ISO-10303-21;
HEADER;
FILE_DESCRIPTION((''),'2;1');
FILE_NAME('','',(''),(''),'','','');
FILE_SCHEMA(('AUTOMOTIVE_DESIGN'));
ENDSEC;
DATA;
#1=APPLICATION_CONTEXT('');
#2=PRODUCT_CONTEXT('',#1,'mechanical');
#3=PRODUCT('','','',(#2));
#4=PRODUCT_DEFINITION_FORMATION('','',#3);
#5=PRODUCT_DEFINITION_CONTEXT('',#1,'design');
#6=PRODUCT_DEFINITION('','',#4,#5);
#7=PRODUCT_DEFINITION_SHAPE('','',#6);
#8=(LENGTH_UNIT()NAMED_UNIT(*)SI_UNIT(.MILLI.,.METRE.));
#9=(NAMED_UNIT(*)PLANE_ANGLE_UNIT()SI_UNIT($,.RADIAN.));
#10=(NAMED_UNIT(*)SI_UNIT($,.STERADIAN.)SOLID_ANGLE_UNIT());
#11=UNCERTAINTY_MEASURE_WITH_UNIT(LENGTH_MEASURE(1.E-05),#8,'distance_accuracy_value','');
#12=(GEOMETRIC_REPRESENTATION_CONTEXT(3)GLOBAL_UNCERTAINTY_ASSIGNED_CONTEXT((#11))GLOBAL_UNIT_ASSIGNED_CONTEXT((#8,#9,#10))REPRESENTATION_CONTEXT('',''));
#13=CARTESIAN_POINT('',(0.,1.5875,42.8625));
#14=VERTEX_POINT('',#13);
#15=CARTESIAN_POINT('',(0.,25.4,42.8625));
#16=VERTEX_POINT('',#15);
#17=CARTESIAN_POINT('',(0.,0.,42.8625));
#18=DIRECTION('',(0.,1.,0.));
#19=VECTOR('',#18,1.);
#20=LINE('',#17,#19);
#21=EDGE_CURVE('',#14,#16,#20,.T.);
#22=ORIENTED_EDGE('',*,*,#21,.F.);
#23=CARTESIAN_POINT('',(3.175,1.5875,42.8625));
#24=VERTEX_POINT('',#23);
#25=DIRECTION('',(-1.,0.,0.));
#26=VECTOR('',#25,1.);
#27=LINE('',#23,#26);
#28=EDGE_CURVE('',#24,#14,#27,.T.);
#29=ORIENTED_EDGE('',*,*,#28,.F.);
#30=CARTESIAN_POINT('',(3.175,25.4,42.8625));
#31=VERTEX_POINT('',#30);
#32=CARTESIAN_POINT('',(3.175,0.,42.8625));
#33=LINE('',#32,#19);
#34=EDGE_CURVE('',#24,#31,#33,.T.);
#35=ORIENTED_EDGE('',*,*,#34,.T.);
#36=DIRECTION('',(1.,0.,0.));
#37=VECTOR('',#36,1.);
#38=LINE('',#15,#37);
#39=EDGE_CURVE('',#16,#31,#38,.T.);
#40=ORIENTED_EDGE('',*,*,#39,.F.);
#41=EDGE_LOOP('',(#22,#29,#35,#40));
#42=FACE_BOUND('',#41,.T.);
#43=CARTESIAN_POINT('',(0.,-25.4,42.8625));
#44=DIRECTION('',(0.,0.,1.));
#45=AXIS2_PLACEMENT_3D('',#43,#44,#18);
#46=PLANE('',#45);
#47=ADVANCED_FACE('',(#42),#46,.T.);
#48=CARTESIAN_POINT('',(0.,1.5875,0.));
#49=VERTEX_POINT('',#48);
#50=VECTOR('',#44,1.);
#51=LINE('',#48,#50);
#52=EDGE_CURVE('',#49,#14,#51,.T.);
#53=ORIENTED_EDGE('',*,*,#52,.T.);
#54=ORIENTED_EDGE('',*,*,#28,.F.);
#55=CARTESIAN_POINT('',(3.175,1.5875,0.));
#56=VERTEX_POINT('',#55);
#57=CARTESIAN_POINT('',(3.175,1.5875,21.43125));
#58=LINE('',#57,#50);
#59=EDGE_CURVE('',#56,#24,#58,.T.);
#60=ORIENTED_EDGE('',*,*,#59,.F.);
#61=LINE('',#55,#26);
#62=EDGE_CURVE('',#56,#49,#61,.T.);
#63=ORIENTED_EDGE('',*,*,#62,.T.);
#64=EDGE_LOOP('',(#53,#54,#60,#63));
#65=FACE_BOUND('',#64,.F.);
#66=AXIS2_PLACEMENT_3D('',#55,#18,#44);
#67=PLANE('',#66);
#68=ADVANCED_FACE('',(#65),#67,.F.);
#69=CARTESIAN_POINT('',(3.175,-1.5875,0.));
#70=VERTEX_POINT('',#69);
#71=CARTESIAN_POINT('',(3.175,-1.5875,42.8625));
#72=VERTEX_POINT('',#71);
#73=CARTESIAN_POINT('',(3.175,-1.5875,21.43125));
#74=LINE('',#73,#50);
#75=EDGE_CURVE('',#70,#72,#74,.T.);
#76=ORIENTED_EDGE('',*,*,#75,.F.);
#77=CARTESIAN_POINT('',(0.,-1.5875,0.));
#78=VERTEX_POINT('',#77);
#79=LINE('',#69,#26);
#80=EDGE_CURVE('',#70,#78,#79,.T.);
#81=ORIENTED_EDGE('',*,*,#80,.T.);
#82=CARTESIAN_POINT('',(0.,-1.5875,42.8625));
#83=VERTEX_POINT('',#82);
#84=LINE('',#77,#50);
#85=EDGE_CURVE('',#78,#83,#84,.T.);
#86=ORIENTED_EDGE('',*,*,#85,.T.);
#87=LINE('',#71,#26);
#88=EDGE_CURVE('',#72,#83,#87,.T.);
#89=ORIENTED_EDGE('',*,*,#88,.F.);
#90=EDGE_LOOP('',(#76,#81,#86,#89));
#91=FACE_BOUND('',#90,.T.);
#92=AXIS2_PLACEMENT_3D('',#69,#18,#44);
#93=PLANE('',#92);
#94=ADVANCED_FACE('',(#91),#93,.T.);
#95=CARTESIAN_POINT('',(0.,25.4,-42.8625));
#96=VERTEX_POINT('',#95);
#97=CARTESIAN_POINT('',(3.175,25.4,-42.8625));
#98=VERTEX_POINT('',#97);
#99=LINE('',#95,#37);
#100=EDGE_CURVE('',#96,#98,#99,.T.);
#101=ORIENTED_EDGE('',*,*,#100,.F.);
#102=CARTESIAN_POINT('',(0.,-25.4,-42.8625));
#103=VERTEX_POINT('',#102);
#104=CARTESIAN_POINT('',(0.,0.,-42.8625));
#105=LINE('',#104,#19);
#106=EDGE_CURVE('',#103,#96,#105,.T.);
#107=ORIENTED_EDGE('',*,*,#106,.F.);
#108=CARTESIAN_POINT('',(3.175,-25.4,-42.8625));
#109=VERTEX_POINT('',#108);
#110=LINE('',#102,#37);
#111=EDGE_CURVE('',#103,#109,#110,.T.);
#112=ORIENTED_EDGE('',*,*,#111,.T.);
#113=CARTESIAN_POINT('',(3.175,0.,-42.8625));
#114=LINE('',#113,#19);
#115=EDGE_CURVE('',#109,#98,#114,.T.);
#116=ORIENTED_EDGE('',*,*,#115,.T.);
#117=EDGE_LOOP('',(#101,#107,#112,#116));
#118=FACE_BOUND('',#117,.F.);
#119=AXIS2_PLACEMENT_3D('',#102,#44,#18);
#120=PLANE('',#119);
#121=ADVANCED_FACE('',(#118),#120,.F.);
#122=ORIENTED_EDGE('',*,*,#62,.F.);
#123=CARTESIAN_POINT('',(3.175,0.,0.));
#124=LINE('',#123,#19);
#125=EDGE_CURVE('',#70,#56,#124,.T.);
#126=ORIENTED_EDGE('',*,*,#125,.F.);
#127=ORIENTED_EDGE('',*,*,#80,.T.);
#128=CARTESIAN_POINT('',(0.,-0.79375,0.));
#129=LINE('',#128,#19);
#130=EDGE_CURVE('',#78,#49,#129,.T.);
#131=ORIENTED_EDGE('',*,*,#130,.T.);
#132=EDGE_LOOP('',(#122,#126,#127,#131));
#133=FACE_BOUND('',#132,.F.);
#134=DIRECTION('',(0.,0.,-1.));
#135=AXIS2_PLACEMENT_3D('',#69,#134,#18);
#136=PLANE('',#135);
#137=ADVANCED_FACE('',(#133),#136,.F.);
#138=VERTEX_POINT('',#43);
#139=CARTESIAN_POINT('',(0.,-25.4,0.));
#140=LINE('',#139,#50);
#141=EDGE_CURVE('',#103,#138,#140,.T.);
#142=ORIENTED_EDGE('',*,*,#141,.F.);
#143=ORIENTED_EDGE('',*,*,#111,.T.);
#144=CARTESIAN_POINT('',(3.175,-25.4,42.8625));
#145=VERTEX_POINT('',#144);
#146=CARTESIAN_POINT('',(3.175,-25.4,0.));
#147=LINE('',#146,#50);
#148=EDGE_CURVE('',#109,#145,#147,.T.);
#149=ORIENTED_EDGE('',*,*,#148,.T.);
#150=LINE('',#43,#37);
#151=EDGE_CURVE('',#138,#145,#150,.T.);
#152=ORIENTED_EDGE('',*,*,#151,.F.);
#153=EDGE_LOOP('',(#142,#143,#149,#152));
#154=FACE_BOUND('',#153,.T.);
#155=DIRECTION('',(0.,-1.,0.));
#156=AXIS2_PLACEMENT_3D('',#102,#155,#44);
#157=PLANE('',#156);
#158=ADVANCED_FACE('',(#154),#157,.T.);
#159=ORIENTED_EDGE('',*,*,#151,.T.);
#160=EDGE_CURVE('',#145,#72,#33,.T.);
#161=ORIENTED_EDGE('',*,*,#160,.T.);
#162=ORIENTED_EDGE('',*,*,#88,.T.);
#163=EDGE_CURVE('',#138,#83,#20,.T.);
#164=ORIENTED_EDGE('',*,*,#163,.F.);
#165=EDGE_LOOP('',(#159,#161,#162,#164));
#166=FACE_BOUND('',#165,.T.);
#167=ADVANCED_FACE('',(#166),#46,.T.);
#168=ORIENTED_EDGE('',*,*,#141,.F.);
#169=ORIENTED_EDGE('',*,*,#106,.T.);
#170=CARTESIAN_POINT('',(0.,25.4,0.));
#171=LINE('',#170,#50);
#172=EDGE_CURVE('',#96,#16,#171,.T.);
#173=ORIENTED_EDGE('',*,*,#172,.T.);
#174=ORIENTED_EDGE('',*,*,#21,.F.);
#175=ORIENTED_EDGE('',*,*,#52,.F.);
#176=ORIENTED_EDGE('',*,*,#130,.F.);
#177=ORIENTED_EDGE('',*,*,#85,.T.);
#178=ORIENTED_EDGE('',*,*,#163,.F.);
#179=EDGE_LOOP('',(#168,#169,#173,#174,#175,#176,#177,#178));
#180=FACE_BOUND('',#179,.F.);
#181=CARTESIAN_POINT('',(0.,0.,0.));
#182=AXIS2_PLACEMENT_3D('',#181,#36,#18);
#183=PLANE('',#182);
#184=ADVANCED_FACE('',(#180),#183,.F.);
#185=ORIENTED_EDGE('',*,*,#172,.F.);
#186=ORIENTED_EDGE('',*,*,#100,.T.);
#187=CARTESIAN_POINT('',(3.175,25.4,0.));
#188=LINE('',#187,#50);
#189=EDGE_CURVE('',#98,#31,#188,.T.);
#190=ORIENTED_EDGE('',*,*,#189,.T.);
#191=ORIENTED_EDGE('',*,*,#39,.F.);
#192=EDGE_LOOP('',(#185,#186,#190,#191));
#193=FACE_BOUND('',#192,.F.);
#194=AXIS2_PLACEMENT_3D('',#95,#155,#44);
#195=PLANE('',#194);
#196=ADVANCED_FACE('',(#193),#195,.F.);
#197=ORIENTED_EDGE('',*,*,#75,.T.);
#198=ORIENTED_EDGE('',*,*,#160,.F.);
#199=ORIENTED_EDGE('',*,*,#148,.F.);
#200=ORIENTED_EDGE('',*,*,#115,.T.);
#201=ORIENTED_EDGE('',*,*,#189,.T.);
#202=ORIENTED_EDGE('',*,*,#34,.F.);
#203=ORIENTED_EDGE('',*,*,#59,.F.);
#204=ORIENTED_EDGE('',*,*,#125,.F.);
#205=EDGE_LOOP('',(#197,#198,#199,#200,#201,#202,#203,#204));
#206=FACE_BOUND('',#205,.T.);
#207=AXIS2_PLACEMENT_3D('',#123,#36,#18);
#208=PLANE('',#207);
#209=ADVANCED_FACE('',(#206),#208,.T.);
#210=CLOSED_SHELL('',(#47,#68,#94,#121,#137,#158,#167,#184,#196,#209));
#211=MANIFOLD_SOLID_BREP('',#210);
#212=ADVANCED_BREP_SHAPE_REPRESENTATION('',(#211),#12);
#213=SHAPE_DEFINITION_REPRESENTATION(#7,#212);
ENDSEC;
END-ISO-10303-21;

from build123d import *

# Parameters (mm, degrees)
F0_W     = 50.8
F0_H     = 85.725
F1_DEPTH = 3.175
F2_W     = 3.175
F2_H     = 42.8625
F3_DEPTH = 3.176


with BuildPart() as f1:
    # F0 (on Right) → F1 (new body)
    with BuildSketch(Plane.YZ):
        Rectangle(F0_W, F0_H)
    extrude(amount=F1_DEPTH)

    # F2 (on face) → F3 (cut, through all)
    with BuildSketch(Plane.YZ.offset(3.175)):
        with Locations((0, 21.43125)):
            Rectangle(F2_W, F2_H)
    extrude(amount=-F3_DEPTH, mode=Mode.SUBTRACT)


solid = f1.part
